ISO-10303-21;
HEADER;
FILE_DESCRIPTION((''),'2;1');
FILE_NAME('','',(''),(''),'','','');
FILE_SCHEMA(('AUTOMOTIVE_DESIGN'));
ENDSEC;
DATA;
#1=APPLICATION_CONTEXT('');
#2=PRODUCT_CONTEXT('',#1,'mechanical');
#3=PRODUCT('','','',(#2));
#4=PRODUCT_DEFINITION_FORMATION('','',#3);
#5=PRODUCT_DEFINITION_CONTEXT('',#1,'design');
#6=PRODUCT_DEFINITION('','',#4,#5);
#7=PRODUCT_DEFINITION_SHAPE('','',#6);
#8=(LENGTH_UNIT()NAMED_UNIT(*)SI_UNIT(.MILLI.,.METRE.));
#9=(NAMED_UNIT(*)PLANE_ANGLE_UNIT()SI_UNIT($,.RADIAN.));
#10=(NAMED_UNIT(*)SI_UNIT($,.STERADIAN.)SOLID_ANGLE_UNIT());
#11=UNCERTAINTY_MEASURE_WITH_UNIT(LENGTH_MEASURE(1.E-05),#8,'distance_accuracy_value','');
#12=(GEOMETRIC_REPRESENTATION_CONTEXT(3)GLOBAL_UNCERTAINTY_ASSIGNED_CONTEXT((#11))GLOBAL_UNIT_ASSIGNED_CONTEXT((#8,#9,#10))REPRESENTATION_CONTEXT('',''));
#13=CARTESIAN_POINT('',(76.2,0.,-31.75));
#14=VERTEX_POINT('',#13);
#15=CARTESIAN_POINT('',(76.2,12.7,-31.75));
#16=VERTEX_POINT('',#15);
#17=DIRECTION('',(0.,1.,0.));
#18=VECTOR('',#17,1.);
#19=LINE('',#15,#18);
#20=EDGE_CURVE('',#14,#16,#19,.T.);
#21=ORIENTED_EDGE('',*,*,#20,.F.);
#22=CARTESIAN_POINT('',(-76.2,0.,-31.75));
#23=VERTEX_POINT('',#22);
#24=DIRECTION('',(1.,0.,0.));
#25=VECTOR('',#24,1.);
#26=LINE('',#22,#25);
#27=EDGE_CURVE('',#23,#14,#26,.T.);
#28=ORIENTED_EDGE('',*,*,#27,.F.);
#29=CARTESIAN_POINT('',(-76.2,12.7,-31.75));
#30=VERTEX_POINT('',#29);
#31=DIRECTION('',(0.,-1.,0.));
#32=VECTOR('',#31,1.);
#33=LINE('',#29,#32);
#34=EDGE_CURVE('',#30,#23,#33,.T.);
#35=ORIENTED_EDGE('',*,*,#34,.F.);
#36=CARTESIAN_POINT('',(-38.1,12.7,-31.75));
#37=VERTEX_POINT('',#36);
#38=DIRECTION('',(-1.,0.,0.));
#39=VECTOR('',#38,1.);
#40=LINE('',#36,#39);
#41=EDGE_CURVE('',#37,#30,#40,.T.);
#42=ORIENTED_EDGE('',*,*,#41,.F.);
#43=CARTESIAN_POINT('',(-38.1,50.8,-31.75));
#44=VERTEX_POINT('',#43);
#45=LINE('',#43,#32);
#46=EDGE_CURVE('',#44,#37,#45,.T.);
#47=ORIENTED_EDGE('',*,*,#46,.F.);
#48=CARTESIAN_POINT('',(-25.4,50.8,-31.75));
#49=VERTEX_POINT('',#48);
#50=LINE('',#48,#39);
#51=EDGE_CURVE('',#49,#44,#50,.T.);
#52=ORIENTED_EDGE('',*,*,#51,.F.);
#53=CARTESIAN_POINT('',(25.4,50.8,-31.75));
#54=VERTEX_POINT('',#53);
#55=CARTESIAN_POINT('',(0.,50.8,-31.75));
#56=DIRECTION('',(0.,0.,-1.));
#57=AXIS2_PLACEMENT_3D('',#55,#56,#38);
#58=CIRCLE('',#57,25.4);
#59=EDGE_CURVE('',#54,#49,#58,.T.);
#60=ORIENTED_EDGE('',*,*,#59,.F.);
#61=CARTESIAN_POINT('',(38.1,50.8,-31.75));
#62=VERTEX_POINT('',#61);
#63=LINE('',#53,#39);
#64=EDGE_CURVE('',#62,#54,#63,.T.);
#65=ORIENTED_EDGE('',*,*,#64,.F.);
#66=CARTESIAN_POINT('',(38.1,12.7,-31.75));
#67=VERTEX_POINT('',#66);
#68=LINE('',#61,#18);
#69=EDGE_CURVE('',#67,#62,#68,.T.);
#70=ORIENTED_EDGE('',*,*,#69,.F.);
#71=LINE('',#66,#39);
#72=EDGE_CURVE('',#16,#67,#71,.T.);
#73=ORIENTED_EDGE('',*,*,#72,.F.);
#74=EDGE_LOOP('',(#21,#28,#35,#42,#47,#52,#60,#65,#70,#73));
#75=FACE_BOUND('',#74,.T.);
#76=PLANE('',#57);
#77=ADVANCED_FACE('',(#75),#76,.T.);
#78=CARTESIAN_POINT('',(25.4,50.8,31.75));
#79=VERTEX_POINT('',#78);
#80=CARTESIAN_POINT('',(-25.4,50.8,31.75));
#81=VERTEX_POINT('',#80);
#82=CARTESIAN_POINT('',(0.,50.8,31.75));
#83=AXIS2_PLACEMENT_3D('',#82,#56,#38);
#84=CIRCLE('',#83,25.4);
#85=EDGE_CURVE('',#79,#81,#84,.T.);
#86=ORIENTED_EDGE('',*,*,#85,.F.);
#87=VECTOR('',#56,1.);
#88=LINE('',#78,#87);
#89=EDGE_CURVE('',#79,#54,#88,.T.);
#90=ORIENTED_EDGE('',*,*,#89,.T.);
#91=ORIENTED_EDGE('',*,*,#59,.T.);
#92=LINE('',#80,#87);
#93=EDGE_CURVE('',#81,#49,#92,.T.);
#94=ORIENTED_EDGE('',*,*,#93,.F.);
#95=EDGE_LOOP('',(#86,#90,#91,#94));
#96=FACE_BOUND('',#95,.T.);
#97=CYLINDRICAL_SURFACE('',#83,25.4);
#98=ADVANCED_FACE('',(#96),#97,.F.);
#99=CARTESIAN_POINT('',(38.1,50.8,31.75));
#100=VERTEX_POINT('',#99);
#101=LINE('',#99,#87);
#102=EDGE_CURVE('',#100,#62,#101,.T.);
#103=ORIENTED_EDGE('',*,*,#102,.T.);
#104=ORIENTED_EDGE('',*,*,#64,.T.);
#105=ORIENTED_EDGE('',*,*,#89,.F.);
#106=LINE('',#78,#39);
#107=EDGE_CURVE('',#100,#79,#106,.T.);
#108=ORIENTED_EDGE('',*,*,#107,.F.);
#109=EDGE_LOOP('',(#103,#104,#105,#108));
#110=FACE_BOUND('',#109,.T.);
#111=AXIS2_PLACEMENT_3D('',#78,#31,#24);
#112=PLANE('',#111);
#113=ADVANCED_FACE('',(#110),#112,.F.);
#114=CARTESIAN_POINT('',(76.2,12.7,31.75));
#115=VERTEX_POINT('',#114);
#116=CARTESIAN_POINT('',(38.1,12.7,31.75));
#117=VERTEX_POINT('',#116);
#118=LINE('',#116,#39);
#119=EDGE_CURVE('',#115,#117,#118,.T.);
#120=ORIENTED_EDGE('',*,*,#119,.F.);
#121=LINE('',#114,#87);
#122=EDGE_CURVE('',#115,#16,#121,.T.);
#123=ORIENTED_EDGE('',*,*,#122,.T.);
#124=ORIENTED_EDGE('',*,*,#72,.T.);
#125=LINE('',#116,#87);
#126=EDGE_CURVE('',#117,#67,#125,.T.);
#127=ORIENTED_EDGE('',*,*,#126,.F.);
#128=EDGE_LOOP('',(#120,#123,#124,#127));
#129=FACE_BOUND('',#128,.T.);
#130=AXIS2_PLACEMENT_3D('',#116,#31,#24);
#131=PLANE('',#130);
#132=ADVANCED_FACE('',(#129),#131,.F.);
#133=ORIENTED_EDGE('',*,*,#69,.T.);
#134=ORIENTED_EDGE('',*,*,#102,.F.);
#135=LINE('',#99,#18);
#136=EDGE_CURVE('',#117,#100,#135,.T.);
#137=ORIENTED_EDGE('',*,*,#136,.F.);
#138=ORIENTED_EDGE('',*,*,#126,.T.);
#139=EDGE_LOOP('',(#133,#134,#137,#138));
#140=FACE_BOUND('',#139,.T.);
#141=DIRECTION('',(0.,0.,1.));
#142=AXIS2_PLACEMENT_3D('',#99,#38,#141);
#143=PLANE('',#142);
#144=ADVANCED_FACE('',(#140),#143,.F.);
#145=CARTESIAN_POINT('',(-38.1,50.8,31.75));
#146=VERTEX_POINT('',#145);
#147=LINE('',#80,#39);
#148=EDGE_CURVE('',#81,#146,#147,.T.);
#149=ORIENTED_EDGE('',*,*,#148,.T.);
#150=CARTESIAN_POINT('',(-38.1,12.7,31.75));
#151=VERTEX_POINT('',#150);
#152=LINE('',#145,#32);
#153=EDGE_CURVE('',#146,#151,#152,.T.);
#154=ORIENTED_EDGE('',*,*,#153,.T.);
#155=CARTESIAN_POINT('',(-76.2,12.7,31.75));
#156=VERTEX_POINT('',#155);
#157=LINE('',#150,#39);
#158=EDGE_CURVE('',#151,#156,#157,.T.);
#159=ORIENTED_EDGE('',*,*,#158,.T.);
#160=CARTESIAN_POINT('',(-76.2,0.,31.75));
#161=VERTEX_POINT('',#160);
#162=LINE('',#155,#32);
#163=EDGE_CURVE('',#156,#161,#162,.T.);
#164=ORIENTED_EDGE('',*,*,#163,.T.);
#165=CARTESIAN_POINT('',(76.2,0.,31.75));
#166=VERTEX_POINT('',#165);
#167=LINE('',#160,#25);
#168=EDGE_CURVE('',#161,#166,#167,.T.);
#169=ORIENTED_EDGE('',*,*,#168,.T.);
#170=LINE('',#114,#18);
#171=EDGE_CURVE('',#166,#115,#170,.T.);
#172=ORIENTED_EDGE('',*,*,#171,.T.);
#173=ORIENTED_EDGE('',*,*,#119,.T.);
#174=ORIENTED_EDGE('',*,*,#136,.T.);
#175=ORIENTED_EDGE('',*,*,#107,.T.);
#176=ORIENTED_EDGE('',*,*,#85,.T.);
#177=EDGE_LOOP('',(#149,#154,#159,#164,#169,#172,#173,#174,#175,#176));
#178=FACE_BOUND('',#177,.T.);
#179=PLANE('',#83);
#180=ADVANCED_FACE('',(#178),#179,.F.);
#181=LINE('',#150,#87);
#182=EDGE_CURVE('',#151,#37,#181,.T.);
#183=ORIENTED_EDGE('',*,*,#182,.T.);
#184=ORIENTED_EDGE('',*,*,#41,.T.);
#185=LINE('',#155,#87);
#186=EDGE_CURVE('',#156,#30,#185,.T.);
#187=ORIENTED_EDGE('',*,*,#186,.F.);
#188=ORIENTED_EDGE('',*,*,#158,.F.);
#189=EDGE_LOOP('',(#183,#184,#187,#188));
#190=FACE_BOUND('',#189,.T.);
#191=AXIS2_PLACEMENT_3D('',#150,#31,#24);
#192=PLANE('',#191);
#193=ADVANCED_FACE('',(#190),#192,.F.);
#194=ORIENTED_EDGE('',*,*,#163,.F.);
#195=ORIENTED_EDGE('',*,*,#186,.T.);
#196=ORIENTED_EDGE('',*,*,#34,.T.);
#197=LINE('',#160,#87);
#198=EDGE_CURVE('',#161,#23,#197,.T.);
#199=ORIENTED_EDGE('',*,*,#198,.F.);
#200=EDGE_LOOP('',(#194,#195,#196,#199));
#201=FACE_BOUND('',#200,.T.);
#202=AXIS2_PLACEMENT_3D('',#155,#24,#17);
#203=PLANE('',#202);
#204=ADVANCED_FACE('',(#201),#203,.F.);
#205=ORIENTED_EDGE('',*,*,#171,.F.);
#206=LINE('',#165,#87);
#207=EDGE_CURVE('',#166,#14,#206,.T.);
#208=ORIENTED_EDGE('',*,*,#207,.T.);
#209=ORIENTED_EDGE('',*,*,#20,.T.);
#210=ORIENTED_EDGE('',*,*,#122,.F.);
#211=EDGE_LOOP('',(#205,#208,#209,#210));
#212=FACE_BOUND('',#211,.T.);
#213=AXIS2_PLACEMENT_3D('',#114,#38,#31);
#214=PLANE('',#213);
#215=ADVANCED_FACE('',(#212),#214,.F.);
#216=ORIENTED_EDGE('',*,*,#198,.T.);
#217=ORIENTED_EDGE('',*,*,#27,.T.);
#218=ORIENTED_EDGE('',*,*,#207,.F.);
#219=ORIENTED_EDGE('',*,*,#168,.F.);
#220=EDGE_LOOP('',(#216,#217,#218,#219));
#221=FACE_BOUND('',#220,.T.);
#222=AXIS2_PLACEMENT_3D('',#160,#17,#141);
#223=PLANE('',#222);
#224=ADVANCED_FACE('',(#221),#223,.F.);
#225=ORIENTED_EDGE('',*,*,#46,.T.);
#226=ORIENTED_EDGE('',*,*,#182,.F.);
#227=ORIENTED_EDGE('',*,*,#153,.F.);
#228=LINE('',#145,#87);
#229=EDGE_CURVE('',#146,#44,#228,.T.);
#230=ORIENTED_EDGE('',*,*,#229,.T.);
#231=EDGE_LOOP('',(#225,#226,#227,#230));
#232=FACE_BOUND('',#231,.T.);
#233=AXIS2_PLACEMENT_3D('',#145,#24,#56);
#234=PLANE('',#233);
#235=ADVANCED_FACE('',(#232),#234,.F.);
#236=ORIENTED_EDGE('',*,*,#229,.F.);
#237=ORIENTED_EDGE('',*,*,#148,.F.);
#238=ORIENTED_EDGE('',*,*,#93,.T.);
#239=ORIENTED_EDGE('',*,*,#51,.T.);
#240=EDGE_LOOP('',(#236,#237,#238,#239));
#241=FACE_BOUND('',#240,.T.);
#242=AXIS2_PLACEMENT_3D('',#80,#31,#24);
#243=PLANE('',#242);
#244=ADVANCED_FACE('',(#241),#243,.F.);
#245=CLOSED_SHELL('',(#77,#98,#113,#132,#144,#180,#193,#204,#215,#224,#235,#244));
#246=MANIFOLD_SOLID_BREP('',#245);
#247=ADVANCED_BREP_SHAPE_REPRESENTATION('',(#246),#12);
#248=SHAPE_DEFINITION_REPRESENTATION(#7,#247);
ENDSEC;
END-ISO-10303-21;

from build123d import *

# Parameters (mm, degrees)
BOSS_EXTRUDE1_DEPTH = 31.75


with BuildPart() as part:
    # Sketch2 → Boss-Extrude1 (new, symmetric)
    with BuildSketch(Plane.XY):
        with BuildLine():
            Line((-25.4, 50.8), (-38.1, 50.8))
            Line((-38.1, 50.8), (-38.1, 12.7))
            Line((-38.1, 12.7), (-76.2, 12.7))
            Line((-76.2, 12.7), (-76.2, 0))
            Line((-76.2, 0), (76.2, 0))
            Line((76.2, 0), (76.2, 12.7))
            Line((76.2, 12.7), (38.1, 12.7))
            Line((38.1, 12.7), (38.1, 50.8))
            Line((38.1, 50.8), (25.4, 50.8))
            ThreePointArc((25.4, 50.8), (0, 25.4), (-25.4, 50.8))
        make_face()
    extrude(amount=BOSS_EXTRUDE1_DEPTH, both=True)


solid = part.part
